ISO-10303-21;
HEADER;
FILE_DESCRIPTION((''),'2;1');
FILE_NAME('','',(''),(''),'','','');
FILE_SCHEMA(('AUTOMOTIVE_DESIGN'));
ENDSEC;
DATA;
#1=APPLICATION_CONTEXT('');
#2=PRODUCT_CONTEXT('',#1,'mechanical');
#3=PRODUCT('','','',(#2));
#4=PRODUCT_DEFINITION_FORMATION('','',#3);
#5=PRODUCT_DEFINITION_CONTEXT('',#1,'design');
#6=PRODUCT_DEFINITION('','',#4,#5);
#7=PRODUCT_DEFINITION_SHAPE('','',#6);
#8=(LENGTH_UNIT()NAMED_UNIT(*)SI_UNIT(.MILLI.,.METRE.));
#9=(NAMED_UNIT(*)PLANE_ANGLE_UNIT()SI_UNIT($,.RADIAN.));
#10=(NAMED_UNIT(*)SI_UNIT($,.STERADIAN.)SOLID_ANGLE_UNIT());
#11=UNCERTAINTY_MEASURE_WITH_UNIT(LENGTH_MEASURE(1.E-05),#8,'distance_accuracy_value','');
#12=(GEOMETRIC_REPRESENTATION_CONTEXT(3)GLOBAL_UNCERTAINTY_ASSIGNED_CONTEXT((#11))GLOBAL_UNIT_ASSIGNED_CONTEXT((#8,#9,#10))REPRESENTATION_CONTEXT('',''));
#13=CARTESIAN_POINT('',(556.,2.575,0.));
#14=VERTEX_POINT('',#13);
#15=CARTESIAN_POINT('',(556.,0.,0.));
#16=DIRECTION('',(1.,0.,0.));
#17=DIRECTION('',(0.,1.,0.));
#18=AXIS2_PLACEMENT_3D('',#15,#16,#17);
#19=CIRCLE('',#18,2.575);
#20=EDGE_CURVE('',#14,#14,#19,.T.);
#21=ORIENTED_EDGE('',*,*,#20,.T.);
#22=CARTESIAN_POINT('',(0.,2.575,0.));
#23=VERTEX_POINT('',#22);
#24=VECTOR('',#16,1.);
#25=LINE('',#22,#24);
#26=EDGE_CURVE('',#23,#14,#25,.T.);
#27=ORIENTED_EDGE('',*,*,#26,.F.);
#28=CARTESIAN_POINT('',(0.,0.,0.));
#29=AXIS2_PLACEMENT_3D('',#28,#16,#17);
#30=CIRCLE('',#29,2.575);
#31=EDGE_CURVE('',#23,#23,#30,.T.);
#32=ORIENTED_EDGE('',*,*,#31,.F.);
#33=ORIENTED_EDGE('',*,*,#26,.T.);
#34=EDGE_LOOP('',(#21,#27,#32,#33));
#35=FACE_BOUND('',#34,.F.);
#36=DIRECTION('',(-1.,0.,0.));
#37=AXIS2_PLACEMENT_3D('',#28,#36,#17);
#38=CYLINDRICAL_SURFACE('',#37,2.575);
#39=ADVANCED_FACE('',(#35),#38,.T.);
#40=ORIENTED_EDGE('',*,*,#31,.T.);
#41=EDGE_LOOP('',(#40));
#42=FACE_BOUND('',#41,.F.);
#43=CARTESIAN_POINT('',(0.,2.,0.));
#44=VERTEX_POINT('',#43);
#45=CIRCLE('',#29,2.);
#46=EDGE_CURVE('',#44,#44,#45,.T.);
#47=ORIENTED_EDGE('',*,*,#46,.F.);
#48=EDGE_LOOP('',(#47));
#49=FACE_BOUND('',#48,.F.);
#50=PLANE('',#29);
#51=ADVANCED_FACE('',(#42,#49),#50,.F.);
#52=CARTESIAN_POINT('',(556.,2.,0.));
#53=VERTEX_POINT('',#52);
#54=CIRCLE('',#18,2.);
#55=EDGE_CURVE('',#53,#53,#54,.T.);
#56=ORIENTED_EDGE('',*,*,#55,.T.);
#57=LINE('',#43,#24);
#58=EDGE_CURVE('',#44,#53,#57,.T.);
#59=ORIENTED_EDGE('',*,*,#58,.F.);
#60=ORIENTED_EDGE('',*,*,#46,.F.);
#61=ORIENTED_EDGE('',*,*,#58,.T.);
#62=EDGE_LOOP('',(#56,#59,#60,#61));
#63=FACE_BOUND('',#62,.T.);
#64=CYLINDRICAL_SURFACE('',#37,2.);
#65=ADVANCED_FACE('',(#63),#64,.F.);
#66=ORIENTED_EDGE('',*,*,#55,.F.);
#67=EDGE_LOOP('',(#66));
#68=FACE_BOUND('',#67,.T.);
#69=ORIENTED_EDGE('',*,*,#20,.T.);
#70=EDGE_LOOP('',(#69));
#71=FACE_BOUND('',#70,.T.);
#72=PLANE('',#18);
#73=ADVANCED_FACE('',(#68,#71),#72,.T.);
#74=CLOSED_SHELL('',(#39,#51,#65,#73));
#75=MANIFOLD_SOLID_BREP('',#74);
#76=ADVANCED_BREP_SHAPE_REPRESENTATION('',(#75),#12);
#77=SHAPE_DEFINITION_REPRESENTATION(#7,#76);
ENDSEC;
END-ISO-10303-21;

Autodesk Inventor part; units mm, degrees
ref_plane "YZ Plane" through (0, 0, 0) normal (1, 0, 0) x (0, 1, 0)
ref_plane "XZ Plane" through (0, 0, 0) normal (0, 1, 0) x (-1, 0, 0)
ref_plane "XY Plane" through (0, 0, 0) normal (0, 0, 1) x (1, 0, 0)
sketch "Sketch1" plane through (0, 0, 0) normal (1, 0, 0) x (0, 1, 0)
  circle A0 centre (0, 0) radius 2
  circle A1 centre (0, 0) radius 2.575
  dimension "d0" = 4
  dimension "d1" = 5.15
extrude "Extrusion1" add sketch "Sketch1" along normal blind 556
properties part number "IISRD_CFR_4x5_556mm" material "CFRP"
